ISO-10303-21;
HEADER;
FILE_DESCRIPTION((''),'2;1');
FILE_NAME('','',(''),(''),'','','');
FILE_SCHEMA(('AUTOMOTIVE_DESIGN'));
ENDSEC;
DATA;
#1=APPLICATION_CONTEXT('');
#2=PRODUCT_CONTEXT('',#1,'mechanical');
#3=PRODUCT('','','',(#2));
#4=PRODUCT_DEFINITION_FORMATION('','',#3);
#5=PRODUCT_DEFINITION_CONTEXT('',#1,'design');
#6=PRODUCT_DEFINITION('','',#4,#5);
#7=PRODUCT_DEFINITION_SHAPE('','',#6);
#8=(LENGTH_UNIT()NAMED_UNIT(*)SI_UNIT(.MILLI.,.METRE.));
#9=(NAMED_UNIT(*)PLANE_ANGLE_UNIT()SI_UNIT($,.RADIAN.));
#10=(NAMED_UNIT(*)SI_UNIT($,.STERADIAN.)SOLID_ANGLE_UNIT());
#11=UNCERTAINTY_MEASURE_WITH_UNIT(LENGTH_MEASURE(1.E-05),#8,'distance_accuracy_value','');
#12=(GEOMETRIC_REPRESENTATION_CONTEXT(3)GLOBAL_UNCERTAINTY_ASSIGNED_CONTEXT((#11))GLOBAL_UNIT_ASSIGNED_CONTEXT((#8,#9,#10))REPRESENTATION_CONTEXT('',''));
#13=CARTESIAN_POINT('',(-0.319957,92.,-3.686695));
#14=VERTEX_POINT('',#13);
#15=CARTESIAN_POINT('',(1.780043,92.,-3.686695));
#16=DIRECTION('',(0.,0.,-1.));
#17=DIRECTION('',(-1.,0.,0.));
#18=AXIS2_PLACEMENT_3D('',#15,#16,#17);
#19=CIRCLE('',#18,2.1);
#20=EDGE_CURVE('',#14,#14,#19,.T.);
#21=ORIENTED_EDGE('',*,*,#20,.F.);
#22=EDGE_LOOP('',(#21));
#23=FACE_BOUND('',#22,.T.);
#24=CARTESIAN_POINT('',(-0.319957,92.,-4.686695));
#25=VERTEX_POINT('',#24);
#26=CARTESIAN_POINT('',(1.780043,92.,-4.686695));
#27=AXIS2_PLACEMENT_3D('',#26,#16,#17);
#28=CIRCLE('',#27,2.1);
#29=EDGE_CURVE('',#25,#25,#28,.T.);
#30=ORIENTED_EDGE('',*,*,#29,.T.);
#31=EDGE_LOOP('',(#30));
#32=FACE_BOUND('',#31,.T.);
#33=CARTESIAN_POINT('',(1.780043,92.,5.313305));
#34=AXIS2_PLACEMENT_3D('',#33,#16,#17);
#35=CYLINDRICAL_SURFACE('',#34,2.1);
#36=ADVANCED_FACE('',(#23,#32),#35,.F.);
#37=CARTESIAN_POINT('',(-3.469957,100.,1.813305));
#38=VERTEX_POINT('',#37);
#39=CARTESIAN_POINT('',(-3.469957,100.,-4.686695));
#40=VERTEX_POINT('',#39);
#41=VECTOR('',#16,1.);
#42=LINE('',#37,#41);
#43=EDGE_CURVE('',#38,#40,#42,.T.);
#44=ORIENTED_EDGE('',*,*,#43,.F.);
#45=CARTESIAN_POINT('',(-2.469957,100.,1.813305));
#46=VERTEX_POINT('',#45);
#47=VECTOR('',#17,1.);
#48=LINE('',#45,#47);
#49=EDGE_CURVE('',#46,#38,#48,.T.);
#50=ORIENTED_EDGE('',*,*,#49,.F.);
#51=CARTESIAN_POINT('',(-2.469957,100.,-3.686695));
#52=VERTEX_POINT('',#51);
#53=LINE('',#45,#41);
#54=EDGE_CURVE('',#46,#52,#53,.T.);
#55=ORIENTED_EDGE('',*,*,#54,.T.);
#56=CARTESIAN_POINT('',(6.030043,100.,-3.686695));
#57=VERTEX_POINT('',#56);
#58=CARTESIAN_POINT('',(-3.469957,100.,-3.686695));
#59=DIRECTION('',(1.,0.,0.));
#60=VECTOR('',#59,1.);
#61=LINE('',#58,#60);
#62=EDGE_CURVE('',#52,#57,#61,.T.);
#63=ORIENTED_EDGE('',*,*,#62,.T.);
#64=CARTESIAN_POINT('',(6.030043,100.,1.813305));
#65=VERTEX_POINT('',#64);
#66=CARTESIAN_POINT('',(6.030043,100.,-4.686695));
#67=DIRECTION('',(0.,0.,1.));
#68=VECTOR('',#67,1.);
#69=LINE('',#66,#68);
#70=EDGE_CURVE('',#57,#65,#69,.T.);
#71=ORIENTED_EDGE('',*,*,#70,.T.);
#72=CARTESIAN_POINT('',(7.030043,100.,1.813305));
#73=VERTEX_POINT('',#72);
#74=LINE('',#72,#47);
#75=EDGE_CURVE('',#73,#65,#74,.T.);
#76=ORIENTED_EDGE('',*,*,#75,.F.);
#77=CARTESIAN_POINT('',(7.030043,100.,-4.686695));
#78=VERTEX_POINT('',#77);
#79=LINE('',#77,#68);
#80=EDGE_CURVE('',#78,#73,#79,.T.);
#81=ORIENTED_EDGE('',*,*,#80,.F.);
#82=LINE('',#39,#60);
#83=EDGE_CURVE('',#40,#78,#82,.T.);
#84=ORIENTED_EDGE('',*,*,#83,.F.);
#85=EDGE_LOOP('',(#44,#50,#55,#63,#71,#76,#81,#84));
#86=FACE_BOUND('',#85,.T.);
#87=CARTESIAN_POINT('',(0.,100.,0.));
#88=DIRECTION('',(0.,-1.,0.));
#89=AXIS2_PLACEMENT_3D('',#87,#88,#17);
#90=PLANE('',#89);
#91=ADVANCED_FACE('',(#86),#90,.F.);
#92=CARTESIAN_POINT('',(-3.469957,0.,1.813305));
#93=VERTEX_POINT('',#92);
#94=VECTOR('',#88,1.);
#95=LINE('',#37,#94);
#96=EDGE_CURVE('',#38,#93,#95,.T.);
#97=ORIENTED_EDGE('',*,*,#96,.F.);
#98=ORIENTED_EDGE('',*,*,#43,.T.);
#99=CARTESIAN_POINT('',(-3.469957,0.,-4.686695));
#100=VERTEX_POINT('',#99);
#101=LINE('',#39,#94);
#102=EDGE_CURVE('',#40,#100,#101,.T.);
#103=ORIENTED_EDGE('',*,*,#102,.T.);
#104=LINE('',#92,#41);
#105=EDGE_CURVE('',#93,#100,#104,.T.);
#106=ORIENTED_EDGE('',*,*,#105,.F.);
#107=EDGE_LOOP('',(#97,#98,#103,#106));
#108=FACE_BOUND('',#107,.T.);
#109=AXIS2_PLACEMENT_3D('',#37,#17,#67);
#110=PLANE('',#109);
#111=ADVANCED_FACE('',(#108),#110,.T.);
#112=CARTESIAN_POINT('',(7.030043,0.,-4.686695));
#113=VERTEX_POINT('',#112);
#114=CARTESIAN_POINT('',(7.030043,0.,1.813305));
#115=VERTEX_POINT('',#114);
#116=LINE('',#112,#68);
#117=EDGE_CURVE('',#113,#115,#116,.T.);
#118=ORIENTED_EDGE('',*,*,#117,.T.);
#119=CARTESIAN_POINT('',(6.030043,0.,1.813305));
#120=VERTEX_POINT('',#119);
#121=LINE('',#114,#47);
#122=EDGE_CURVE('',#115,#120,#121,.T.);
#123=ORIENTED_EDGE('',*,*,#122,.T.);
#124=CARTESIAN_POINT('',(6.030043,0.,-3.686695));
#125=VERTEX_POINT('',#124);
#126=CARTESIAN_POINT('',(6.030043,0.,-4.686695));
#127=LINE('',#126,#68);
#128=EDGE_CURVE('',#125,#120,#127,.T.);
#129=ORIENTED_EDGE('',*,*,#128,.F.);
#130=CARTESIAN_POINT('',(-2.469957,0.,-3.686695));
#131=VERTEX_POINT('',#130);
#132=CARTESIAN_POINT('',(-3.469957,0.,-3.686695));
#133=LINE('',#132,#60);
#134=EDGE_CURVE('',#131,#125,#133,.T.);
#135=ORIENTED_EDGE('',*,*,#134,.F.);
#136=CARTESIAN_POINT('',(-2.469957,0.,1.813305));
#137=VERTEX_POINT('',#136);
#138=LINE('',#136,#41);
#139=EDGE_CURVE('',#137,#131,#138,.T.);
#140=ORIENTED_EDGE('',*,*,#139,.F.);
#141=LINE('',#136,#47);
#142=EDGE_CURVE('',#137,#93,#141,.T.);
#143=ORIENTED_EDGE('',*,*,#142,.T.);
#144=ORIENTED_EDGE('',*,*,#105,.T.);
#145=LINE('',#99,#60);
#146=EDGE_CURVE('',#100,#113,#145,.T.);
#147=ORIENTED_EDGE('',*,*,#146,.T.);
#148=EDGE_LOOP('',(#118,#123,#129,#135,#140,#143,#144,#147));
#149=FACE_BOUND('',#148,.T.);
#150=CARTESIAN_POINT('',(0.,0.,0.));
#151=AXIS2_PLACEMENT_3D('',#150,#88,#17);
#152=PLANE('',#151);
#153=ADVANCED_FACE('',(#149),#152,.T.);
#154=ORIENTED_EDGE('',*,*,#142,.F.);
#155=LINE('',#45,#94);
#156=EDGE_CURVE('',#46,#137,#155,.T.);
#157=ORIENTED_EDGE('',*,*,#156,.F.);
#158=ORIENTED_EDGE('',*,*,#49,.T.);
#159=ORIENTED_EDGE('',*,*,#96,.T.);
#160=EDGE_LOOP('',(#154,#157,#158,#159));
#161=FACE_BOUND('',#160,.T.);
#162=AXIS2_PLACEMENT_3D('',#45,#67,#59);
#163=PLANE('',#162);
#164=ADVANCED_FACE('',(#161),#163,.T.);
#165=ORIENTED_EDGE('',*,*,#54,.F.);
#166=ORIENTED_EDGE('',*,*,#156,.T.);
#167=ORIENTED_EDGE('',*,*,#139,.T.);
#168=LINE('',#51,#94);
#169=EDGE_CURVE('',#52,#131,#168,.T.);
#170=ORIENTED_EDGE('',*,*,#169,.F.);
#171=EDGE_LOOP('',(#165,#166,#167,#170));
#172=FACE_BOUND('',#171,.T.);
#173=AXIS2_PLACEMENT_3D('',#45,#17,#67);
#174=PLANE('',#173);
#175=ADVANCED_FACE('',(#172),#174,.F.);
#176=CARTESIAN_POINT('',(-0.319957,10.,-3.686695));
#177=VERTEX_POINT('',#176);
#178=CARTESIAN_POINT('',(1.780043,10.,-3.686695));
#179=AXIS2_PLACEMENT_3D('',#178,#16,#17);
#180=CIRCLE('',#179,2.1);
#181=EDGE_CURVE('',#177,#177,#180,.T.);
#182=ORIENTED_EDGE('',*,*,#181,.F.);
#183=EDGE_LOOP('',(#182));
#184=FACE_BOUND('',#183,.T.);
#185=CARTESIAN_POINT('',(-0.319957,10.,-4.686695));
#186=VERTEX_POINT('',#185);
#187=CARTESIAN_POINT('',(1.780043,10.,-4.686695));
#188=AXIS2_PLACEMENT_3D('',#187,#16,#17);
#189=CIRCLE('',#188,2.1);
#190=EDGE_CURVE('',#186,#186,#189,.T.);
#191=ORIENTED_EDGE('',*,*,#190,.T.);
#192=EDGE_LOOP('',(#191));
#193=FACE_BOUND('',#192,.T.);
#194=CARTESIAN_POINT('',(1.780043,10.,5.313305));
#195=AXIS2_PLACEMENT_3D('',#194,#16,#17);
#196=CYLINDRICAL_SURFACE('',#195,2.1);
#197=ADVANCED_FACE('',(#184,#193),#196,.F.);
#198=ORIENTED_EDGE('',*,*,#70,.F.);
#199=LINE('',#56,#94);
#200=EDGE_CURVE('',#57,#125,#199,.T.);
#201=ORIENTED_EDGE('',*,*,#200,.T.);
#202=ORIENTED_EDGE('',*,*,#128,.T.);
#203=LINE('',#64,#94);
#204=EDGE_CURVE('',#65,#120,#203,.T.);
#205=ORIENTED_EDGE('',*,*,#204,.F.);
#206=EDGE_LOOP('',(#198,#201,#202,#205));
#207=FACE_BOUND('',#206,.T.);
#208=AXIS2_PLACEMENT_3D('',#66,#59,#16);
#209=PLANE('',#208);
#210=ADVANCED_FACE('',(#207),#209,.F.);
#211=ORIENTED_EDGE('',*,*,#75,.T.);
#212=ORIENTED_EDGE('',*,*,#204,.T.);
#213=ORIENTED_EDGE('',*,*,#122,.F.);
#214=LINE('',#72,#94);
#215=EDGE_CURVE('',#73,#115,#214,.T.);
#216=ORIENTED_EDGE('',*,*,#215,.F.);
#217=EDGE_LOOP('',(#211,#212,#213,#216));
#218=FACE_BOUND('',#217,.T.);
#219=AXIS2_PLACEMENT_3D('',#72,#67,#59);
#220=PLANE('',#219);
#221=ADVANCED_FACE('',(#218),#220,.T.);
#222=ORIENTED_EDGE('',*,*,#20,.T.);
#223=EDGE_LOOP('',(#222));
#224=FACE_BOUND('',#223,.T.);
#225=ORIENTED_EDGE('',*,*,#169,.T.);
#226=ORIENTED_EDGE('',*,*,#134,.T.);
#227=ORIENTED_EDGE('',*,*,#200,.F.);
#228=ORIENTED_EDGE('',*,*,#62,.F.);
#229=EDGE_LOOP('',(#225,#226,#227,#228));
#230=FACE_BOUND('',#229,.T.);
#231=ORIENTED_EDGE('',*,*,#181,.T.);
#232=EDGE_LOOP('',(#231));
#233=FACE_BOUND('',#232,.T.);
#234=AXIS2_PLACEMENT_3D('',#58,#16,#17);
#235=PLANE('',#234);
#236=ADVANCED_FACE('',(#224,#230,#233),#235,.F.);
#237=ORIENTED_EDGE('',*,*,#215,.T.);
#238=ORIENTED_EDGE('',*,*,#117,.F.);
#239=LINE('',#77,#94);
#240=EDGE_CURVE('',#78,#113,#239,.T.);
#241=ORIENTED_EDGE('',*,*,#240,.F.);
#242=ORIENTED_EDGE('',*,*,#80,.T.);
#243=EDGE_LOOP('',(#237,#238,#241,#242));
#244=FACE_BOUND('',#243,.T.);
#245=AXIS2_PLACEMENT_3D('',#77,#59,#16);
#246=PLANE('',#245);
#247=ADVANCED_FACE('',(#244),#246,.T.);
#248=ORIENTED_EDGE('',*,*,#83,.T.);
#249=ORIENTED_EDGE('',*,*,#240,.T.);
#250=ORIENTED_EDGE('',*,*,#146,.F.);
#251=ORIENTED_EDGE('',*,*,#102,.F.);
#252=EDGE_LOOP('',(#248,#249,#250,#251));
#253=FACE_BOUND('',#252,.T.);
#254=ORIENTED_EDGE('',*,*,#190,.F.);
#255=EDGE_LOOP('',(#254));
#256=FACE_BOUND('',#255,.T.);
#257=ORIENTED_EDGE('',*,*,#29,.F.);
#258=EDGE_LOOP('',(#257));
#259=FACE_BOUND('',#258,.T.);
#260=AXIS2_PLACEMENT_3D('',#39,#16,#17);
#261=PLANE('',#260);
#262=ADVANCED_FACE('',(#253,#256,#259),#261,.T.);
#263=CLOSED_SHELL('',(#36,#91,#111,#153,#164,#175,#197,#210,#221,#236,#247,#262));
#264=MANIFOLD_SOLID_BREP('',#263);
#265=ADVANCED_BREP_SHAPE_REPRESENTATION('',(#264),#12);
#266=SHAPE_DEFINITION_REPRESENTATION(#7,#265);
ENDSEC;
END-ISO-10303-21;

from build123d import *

# Parameters (mm, degrees)
EXTRUDE_THIN1_DEPTH = 100
SKETCH2_R           = 2.1
CUT_EXTRUDE1_DEPTH  = 10


with BuildPart() as part:
    # Sketch1 → Extrude-Thin1 (new body)
    with BuildSketch(Plane(origin=(0, 0, 0), x_dir=(1, 0, 0), z_dir=(0, 1, 0))):
        Polygon((-3.469957082, -1.813304721), (-3.469957082, 4.686695279), (7.030042918, 4.686695279), (7.030042918, -1.813304721), (6.030042918, -1.813304721), (6.030042918, 3.686695279), (-2.469957082, 3.686695279), (-2.469957082, -1.813304721), align=None)
    extrude(amount=EXTRUDE_THIN1_DEPTH)

    # Sketch2 → Cut-Extrude1 (cut)
    with BuildSketch(Plane(origin=(0, 0, -4.686695279), x_dir=(-1, 0, 0), z_dir=(0, 0, -1))):
        with Locations((-1.780042918, 92)):
            Circle(SKETCH2_R)
        with Locations((-1.780042918, 10)):
            Circle(SKETCH2_R)
    extrude(amount=-CUT_EXTRUDE1_DEPTH, mode=Mode.SUBTRACT)


solid = part.part
